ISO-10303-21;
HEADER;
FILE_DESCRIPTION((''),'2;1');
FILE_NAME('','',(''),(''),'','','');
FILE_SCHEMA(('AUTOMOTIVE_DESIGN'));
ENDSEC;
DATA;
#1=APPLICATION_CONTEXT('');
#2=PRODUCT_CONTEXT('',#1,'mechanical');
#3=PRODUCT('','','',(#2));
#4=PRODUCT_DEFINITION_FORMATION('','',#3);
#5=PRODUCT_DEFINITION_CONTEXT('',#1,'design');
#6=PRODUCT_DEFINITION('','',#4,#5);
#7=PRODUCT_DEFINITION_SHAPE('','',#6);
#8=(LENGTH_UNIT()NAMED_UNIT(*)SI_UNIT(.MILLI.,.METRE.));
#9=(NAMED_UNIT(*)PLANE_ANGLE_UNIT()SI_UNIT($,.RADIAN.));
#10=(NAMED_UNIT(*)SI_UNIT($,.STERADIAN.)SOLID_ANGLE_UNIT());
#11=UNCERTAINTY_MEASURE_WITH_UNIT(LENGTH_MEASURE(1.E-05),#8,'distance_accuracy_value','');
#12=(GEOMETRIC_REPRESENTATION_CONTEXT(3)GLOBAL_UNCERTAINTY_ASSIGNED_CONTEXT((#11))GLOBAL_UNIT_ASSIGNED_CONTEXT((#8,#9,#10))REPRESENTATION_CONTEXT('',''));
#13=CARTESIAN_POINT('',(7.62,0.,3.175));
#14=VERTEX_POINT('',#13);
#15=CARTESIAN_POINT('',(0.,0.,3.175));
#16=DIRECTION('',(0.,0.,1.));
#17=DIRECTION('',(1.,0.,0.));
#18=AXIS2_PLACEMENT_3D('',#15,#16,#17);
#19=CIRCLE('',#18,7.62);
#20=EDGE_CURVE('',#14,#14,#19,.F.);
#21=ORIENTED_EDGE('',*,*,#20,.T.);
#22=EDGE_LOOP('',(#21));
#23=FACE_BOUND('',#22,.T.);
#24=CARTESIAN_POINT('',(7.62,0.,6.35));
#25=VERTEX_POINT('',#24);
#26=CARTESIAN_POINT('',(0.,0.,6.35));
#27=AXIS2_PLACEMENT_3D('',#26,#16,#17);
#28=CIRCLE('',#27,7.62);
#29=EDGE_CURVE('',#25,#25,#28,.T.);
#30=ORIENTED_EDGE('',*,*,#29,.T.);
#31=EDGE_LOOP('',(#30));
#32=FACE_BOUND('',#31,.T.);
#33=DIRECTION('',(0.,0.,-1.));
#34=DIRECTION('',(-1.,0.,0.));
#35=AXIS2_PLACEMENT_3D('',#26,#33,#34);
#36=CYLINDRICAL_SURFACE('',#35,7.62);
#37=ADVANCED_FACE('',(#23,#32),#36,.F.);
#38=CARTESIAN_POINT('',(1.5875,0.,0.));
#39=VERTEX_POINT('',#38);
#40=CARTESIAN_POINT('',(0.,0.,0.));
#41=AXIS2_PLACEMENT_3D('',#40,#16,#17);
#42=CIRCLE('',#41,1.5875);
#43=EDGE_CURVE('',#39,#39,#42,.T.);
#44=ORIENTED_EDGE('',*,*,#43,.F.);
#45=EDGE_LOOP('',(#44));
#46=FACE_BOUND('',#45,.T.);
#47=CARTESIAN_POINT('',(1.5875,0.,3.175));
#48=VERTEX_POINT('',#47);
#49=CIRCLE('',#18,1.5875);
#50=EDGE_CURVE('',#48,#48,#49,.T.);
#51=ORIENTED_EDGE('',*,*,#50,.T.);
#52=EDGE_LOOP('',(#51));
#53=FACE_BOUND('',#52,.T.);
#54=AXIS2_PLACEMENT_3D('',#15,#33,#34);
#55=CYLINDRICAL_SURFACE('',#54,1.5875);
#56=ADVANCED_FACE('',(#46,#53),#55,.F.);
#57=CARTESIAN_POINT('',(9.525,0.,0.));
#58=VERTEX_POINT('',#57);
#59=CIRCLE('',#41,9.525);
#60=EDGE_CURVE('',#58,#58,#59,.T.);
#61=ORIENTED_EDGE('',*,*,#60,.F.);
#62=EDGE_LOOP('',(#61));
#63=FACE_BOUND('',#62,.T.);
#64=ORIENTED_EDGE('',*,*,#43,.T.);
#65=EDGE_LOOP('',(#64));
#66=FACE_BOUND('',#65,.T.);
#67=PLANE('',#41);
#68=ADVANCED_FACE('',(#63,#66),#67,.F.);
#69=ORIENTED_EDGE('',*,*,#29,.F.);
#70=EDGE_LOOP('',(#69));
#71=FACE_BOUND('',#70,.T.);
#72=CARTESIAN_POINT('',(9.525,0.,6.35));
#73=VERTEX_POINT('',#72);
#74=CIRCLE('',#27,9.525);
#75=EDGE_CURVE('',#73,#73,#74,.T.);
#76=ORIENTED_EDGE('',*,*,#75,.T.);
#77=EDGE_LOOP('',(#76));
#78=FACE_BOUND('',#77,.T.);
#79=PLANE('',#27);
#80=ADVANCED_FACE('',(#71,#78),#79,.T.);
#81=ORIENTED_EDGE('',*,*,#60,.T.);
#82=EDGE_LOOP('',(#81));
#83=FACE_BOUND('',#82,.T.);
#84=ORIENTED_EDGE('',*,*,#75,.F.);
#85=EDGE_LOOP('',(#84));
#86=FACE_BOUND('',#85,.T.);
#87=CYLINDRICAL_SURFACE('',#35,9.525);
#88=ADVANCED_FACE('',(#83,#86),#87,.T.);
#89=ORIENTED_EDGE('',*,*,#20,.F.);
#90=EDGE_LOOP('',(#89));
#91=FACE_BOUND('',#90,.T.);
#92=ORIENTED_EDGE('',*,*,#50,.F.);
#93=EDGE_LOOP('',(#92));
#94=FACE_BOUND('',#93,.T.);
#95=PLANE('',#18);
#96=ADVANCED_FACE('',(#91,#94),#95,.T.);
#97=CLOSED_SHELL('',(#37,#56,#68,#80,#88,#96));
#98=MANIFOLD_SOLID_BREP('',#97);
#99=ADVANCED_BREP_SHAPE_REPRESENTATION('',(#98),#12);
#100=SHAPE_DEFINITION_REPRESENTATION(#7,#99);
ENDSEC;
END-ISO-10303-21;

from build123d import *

# Parameters (mm, degrees)
SKETCH2_R           = 7.62
SKETCH2_R_2         = 1.5875
BOSS_EXTRUDE1_DEPTH = 3.175
SKETCH2_4_R         = 9.525
SKETCH2_4_R_2       = 7.62
BOSS_EXTRUDE3_DEPTH = 6.35


with BuildPart() as part:
    # Sketch2 → Boss-Extrude1 (new body)
    with BuildSketch(Plane.XY):
        Circle(SKETCH2_R)
        Circle(SKETCH2_R_2, mode=Mode.SUBTRACT)
    extrude(amount=BOSS_EXTRUDE1_DEPTH)

    # Sketch2<4> → Boss-Extrude3 (add)
    with BuildSketch(Plane.XY):
        Circle(SKETCH2_4_R)
        Circle(SKETCH2_4_R_2, mode=Mode.SUBTRACT)
    extrude(amount=BOSS_EXTRUDE3_DEPTH)


solid = part.part
